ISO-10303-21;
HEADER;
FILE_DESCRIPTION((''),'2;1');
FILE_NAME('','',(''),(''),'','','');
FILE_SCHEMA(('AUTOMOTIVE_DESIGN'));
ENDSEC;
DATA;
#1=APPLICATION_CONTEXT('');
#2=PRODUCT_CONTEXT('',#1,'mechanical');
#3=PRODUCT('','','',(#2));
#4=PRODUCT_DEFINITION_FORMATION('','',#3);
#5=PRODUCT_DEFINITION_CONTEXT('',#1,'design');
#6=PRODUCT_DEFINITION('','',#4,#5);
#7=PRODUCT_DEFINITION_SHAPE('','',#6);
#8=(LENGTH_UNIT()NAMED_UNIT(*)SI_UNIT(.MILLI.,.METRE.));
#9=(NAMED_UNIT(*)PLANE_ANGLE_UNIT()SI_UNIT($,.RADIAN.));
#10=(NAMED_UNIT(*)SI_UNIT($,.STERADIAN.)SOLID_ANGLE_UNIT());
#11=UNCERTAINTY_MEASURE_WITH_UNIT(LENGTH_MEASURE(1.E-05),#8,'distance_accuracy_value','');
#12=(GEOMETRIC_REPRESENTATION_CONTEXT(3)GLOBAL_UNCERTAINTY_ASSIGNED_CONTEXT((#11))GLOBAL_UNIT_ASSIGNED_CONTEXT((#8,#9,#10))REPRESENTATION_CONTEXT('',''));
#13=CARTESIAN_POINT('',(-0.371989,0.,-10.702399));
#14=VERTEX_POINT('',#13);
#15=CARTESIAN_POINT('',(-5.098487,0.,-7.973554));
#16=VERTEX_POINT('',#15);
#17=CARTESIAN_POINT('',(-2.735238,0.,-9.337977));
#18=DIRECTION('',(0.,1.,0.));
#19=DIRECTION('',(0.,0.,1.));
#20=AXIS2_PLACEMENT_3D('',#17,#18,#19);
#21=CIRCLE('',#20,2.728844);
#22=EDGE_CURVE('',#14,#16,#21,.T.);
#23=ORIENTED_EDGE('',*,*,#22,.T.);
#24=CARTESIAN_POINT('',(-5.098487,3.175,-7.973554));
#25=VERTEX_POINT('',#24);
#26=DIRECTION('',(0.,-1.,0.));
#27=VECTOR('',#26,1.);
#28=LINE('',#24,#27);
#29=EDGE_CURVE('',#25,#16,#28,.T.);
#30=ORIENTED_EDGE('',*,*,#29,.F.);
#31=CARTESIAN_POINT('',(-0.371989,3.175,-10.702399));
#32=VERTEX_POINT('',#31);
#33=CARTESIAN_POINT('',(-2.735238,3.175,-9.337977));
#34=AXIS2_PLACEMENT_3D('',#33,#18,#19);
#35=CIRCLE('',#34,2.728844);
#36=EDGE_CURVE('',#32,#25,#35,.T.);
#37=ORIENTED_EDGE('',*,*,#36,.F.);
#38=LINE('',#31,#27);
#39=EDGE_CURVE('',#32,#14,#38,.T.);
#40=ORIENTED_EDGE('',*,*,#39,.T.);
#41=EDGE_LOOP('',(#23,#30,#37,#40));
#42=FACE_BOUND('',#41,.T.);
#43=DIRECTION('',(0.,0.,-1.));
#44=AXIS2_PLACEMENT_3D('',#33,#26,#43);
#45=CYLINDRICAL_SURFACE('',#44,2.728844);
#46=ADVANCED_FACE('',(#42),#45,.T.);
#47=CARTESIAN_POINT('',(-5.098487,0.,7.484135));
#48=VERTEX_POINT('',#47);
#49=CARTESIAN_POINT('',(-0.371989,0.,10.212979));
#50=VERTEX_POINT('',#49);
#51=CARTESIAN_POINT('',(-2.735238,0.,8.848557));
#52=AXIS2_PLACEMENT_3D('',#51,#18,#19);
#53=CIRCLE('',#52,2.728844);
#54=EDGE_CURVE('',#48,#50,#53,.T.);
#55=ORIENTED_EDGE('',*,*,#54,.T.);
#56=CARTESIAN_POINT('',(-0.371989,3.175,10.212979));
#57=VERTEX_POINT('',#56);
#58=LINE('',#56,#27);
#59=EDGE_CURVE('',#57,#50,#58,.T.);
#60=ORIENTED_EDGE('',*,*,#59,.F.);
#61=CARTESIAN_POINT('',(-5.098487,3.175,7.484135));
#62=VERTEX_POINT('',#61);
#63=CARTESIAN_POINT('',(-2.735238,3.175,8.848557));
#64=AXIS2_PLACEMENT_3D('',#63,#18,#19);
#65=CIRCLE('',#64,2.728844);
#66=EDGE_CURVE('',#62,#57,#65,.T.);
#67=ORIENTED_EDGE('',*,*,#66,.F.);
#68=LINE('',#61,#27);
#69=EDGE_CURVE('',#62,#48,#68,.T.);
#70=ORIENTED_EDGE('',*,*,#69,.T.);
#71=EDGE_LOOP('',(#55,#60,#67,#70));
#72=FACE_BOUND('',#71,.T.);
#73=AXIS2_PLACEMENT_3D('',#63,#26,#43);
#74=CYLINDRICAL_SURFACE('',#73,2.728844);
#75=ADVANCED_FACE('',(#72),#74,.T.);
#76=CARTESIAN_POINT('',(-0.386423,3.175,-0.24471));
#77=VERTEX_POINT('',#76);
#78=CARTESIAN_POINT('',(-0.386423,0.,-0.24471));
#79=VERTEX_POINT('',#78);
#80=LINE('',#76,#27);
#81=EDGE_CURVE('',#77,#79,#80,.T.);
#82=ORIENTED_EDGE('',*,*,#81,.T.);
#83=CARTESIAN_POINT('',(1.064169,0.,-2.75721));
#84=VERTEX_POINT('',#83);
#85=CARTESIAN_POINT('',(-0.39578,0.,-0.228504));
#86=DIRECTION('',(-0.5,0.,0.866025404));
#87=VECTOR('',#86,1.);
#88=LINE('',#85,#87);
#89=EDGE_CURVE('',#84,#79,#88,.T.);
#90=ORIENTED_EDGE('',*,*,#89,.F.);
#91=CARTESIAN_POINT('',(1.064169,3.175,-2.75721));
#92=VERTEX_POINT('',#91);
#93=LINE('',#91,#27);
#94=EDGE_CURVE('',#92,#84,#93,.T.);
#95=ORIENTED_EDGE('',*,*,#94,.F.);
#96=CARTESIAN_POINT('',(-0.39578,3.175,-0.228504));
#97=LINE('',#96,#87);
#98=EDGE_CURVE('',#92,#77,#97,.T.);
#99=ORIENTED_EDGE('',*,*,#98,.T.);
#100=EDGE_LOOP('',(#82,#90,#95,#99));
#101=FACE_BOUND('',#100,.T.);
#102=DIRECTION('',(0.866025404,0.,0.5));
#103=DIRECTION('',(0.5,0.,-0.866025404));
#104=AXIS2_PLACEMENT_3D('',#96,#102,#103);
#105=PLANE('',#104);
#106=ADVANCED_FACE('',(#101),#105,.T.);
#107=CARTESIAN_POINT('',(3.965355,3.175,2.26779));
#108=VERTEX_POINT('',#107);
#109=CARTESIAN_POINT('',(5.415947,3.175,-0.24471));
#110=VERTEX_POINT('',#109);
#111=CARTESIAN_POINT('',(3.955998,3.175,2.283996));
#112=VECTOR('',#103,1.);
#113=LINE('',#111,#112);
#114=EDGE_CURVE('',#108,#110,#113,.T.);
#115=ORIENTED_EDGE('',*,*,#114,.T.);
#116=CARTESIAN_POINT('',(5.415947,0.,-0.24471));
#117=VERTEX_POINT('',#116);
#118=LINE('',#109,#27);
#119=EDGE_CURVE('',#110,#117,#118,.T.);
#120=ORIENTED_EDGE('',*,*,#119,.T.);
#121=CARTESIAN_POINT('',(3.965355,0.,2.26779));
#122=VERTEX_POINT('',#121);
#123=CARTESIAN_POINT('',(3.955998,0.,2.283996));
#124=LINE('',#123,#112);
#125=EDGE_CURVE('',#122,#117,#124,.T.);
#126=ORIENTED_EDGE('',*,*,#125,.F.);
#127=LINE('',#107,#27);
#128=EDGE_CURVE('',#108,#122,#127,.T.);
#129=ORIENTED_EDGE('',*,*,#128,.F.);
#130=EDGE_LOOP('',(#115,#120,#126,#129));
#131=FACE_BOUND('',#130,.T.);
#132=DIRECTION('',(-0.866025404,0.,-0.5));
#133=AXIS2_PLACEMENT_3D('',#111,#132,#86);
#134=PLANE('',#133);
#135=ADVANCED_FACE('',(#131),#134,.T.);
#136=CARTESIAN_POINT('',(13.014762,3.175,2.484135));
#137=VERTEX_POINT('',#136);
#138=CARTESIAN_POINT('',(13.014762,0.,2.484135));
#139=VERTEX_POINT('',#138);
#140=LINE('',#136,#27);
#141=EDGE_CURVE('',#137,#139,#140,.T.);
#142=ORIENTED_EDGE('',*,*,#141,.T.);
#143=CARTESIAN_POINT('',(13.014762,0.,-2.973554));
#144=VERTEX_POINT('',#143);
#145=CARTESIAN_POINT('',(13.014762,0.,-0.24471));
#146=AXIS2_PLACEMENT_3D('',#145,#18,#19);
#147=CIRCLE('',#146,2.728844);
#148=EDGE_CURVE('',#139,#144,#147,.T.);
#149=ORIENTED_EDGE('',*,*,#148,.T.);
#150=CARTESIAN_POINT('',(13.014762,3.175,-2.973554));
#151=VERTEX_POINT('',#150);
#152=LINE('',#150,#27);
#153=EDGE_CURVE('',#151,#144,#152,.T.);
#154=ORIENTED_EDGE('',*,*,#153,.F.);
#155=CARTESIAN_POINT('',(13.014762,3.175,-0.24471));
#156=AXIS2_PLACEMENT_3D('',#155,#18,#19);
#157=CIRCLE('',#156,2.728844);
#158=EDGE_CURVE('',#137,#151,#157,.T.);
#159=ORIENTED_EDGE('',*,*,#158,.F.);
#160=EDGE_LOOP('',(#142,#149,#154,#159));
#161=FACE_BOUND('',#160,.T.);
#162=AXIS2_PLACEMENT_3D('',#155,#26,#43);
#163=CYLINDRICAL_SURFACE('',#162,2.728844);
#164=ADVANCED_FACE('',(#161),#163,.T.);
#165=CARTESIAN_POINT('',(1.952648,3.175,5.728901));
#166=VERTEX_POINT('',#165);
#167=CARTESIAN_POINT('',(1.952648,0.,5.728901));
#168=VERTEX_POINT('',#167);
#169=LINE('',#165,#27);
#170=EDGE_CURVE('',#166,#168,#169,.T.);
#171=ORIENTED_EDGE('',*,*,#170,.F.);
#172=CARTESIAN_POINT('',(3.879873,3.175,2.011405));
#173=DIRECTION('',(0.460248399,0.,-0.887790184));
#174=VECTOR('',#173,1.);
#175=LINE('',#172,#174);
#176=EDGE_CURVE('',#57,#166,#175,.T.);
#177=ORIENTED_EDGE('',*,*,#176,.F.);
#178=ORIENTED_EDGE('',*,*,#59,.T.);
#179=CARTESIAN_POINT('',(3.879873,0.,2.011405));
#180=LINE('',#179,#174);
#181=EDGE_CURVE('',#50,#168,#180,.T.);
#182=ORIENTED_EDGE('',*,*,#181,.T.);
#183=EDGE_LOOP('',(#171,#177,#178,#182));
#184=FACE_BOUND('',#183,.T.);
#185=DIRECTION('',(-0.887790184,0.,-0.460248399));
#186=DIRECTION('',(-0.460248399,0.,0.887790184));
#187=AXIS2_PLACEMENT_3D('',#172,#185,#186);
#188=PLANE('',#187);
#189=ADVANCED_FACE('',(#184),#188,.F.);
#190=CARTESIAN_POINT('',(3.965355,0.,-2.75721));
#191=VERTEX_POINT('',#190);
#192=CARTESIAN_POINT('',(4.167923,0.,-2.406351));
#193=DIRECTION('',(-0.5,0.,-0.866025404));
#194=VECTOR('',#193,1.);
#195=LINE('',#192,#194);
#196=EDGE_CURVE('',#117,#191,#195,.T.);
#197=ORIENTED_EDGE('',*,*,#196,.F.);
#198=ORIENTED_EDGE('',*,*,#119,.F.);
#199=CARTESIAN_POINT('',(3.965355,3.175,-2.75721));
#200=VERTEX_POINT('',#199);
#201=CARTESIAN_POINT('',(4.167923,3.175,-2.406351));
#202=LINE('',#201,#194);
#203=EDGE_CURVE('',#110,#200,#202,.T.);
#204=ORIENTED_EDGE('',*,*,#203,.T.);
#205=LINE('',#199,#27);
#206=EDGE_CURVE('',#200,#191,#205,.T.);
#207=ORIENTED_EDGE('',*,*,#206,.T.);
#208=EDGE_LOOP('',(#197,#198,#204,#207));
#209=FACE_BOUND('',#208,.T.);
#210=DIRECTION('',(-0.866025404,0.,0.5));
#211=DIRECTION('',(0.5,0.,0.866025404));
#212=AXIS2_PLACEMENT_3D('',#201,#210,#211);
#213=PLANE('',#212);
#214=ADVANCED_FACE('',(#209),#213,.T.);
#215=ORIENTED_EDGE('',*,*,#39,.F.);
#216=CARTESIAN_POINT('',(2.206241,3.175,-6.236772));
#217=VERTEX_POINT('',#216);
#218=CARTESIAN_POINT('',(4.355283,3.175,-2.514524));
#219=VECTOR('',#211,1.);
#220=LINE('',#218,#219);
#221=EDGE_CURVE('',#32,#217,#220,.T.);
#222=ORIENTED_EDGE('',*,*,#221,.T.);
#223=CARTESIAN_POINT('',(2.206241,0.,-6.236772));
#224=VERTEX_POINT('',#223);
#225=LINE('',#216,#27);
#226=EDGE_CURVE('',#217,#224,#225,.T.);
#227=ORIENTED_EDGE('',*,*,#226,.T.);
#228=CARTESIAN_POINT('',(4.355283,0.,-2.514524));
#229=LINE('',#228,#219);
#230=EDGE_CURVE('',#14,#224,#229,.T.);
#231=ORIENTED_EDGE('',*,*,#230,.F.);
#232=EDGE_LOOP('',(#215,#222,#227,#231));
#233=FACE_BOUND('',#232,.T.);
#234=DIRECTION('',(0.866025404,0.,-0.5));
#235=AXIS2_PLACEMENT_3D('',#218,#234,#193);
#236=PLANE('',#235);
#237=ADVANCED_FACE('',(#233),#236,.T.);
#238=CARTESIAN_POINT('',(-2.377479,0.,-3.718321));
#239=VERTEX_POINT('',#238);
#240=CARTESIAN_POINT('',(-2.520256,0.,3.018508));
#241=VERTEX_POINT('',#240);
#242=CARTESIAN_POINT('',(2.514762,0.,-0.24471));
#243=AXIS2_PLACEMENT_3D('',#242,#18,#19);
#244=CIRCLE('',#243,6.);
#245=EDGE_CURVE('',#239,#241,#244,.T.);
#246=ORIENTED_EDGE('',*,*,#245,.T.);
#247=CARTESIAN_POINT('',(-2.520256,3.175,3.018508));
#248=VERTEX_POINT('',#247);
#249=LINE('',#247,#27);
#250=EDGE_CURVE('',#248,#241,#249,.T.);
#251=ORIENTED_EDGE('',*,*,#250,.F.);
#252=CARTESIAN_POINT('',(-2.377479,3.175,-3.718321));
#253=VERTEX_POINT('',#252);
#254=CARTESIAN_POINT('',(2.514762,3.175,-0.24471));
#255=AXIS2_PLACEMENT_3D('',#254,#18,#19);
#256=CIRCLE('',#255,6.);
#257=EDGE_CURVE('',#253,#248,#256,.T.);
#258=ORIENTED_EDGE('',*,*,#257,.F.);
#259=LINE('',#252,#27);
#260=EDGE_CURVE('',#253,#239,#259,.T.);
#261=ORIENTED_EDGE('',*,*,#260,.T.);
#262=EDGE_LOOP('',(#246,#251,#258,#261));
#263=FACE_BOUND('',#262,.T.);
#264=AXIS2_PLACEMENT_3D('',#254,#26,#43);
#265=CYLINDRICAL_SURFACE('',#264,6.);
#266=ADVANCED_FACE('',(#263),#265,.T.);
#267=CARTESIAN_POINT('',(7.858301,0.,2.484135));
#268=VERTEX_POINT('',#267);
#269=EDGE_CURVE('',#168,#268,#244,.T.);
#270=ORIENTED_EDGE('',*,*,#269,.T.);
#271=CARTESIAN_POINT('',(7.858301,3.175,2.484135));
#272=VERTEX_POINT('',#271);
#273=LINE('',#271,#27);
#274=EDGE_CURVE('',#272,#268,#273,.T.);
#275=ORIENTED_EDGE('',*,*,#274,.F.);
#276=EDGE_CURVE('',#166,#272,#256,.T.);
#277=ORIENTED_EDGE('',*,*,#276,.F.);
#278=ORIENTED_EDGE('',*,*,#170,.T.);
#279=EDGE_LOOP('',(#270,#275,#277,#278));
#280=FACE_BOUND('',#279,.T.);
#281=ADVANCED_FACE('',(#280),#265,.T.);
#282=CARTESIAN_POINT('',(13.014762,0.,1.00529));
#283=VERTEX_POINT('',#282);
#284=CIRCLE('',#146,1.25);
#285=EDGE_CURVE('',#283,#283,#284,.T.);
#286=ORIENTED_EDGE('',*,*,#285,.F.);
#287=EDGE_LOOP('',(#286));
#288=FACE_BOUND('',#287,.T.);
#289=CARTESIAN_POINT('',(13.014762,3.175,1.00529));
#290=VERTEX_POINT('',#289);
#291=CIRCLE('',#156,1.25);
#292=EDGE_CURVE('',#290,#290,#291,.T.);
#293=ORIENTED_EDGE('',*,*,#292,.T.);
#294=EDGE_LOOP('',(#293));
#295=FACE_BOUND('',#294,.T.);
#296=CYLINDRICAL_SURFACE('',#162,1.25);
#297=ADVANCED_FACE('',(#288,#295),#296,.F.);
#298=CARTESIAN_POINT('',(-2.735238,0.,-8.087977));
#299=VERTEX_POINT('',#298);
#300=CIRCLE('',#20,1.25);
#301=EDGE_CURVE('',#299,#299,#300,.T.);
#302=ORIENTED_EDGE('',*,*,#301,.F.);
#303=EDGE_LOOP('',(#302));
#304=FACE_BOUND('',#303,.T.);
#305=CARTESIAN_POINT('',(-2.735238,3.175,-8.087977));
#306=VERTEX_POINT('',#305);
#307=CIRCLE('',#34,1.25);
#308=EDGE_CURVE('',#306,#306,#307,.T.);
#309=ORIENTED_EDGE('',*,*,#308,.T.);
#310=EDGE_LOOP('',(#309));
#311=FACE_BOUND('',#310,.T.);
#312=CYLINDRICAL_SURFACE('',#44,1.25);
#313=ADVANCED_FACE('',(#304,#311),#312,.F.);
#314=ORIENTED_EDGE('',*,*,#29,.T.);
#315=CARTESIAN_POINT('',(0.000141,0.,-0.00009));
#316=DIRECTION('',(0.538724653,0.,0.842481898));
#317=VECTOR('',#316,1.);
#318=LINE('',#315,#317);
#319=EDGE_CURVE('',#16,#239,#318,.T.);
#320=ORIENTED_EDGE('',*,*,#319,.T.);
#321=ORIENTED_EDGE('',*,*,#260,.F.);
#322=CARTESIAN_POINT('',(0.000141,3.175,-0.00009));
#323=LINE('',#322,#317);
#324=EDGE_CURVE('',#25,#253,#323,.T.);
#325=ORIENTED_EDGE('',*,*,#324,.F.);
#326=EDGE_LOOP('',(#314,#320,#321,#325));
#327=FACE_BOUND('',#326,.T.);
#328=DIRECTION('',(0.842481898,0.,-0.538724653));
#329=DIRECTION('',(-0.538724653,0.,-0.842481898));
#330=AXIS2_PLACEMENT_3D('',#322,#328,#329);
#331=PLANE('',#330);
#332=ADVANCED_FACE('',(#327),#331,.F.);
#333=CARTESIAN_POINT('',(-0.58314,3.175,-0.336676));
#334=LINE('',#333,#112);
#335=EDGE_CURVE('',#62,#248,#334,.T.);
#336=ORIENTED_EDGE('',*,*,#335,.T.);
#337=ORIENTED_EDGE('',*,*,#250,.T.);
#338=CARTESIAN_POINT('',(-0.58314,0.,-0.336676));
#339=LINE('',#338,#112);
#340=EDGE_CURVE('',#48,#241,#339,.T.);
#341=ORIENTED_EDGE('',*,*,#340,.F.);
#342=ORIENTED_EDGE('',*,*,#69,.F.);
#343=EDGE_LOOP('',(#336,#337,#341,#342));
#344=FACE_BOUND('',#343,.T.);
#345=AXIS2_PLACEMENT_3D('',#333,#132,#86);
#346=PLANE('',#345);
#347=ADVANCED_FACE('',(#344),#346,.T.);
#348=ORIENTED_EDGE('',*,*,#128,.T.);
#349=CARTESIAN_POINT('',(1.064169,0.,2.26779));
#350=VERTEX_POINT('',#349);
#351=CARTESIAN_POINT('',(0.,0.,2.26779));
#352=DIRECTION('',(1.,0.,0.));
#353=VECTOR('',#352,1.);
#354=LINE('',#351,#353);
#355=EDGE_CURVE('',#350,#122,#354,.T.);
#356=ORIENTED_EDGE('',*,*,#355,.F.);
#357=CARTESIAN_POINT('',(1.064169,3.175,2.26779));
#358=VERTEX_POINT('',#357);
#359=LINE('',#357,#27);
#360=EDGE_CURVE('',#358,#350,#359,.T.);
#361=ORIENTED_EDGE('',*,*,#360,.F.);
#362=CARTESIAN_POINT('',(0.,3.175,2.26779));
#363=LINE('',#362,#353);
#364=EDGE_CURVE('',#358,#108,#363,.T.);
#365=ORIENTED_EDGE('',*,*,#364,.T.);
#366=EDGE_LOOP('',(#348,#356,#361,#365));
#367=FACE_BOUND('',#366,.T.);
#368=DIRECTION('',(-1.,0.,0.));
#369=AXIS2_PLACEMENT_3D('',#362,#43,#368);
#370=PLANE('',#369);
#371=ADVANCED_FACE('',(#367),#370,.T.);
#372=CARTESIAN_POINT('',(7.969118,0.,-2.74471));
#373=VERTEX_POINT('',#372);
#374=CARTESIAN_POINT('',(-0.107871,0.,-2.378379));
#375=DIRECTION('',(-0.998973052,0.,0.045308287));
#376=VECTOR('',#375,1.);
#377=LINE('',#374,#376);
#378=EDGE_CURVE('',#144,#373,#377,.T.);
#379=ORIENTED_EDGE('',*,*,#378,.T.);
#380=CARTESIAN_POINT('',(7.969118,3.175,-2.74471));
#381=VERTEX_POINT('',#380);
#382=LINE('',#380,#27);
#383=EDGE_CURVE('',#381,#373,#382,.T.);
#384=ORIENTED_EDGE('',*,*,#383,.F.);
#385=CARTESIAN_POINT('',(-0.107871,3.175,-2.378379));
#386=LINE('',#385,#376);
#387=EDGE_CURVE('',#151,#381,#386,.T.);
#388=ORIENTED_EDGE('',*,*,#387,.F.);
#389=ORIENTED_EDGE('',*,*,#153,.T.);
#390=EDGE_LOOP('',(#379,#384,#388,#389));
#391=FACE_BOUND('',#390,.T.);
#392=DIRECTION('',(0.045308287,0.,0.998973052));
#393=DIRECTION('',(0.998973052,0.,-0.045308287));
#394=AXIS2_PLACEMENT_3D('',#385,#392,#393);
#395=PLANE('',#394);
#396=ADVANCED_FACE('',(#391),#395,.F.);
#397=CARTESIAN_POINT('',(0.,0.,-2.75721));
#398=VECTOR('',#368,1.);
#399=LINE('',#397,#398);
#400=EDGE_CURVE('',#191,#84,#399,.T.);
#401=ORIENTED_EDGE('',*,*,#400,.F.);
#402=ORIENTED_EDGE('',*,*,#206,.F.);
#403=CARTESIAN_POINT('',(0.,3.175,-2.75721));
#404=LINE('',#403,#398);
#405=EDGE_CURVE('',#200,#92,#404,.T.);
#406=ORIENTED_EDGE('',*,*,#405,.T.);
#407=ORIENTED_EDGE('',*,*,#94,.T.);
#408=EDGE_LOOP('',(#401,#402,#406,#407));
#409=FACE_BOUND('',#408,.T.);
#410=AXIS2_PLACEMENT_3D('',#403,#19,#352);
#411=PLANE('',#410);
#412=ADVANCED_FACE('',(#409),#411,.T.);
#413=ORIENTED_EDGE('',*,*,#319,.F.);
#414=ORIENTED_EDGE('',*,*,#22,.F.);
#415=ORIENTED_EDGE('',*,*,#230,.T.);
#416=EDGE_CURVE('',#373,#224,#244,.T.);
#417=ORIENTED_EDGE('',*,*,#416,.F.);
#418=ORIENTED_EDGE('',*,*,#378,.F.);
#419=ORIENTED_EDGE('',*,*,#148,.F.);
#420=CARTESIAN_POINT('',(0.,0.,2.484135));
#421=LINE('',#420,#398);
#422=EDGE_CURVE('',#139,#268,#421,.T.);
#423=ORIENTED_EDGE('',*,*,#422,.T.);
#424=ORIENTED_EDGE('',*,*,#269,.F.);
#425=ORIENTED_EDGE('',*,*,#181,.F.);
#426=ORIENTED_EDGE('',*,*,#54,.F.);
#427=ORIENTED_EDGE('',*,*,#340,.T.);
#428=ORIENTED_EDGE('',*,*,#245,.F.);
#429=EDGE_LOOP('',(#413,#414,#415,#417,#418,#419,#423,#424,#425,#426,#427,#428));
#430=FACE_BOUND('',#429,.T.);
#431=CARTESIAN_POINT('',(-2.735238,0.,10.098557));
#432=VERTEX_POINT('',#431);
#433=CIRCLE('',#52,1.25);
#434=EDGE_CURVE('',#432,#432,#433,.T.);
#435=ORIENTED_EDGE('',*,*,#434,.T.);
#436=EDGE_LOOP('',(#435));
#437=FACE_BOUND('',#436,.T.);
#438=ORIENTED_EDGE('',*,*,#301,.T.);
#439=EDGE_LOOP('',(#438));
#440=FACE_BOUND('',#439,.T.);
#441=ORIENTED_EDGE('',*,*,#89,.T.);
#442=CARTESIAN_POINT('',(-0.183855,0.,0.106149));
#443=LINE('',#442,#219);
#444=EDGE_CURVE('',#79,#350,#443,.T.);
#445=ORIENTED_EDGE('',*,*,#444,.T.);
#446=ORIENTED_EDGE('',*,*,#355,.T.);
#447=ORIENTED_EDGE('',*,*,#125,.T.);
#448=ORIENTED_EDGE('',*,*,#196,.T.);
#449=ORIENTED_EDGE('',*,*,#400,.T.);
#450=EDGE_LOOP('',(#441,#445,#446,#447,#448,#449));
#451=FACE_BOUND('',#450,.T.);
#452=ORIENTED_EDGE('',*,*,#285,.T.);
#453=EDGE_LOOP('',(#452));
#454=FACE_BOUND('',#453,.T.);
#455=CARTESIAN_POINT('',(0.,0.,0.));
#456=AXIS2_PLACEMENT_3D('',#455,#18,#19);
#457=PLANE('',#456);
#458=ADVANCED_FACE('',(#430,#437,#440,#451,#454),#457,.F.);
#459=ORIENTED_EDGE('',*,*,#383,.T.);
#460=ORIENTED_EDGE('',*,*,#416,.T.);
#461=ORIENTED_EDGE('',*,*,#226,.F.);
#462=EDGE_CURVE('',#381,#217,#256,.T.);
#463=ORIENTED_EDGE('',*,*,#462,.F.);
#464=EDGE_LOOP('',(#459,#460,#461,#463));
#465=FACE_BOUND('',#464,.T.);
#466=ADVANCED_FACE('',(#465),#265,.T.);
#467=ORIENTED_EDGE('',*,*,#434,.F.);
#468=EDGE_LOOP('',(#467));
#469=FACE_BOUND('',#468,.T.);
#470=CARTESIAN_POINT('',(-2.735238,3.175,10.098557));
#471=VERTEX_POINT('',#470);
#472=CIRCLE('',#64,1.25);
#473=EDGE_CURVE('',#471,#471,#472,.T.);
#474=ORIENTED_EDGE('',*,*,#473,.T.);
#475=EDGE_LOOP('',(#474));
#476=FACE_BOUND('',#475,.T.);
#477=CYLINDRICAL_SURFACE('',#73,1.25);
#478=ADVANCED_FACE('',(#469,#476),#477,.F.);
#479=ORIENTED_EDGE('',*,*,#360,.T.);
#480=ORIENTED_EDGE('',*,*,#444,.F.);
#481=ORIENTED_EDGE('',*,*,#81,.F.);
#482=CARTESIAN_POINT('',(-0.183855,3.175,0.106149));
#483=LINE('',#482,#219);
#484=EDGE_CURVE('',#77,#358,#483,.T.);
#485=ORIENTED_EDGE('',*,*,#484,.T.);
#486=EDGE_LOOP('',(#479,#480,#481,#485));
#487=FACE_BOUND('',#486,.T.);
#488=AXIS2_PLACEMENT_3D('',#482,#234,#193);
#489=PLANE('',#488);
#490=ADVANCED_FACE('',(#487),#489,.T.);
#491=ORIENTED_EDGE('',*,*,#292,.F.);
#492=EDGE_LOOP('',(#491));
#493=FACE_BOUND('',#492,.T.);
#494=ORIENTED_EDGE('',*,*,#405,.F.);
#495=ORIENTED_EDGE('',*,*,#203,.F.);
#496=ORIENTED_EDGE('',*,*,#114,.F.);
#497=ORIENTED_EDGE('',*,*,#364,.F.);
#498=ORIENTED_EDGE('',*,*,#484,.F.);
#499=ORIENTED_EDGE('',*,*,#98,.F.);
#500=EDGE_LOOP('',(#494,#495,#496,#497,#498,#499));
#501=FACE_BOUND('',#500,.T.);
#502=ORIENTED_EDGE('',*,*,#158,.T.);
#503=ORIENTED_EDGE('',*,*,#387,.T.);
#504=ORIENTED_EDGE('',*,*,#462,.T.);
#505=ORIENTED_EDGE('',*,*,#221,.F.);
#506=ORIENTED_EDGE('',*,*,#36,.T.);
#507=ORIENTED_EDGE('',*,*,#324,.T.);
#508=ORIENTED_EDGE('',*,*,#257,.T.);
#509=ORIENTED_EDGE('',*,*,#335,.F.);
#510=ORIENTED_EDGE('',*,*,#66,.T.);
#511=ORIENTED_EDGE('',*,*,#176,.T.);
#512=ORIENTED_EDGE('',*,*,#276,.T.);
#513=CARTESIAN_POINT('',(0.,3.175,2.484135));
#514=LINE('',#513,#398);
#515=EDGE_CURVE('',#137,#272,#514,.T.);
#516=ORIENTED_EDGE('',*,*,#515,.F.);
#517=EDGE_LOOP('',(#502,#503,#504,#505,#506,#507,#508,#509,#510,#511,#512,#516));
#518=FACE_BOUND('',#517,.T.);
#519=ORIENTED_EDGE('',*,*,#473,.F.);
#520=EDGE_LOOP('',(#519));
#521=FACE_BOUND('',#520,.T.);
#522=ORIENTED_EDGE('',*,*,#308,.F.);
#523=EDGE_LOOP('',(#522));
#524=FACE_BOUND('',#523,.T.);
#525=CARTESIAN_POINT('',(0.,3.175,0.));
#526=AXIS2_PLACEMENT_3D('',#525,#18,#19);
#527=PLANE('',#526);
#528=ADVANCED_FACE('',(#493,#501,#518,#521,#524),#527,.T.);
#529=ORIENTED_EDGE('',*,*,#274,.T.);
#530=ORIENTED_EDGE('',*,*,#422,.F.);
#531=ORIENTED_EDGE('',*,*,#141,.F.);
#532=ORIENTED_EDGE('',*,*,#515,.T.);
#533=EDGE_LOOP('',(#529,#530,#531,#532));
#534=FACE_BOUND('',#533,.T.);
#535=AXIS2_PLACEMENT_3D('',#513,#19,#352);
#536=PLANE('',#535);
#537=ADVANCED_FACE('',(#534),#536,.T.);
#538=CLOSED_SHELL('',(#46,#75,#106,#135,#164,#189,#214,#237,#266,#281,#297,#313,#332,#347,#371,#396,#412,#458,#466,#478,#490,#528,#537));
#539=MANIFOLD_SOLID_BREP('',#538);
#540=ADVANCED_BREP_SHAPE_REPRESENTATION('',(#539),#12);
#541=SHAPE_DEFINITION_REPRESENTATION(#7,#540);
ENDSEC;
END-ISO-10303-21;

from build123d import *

# Parameters (mm, degrees)
SKETCH1_R           = 1.25
BOSS_EXTRUDE1_DEPTH = 3.175


with BuildPart() as part:
    # Sketch1 → Boss-Extrude1 (new body)
    with BuildSketch(Plane(origin=(0, 0, 0), x_dir=(1, 0, 0), z_dir=(0, 1, 0))):
        with BuildLine():
            Line((7.858300919, -2.484134681), (13.014762042, -2.484134681))
            ThreePointArc((13.014762042, -2.484134681), (15.743606535, 0.244709812), (13.014762042, 2.973554305))
            Line((13.014762042, 2.973554305), (7.969118099, 2.744709812))
            ThreePointArc((7.969118099, 2.744709812), (5.624188125, 5.376129638), (2.206241257, 6.236772472))
            Line((2.206241257, 6.236772472), (-0.371989304, 10.702398798))
            ThreePointArc((-0.371989304, 10.702398798), (-4.099660205, 11.701225206), (-5.098486612, 7.973554305))
            Line((-5.098486612, 7.973554305), (-2.377479496, 3.718320719))
            ThreePointArc((-2.377479496, 3.718320719), (-3.483890927, 0.371841879), (-2.520256051, -3.018508355))
            Line((-2.520256051, -3.018508355), (-5.098486612, -7.484134681))
            ThreePointArc((-5.098486612, -7.484134681), (-4.099660205, -11.211805582), (-0.371989304, -10.212979174))
            Line((-0.371989304, -10.212979174), (1.952647522, -5.728901095))
            ThreePointArc((1.952647522, -5.728901095), (5.403988927, -5.013842081), (7.858300919, -2.484134681))
        make_face()
        Polygon((3.965354593, 2.757209812), (5.415947144, 0.244709812), (3.965354593, -2.267790188), (1.06416949, -2.267790188), (-0.386423061, 0.244709812), (1.06416949, 2.757209812), align=None, mode=Mode.SUBTRACT)
        with Locations(Location((13.014762042, 0.244709812, 0), (0, 0, 270))):
            Circle(SKETCH1_R, mode=Mode.SUBTRACT)
        with Locations(Location((-2.735237958, 9.337976552, 0), (0, 0, 270))):
            Circle(SKETCH1_R, mode=Mode.SUBTRACT)
        with Locations(Location((-2.735237958, -8.848556928, 0), (0, 0, 270))):
            Circle(SKETCH1_R, mode=Mode.SUBTRACT)
    extrude(amount=BOSS_EXTRUDE1_DEPTH)


solid = part.part
